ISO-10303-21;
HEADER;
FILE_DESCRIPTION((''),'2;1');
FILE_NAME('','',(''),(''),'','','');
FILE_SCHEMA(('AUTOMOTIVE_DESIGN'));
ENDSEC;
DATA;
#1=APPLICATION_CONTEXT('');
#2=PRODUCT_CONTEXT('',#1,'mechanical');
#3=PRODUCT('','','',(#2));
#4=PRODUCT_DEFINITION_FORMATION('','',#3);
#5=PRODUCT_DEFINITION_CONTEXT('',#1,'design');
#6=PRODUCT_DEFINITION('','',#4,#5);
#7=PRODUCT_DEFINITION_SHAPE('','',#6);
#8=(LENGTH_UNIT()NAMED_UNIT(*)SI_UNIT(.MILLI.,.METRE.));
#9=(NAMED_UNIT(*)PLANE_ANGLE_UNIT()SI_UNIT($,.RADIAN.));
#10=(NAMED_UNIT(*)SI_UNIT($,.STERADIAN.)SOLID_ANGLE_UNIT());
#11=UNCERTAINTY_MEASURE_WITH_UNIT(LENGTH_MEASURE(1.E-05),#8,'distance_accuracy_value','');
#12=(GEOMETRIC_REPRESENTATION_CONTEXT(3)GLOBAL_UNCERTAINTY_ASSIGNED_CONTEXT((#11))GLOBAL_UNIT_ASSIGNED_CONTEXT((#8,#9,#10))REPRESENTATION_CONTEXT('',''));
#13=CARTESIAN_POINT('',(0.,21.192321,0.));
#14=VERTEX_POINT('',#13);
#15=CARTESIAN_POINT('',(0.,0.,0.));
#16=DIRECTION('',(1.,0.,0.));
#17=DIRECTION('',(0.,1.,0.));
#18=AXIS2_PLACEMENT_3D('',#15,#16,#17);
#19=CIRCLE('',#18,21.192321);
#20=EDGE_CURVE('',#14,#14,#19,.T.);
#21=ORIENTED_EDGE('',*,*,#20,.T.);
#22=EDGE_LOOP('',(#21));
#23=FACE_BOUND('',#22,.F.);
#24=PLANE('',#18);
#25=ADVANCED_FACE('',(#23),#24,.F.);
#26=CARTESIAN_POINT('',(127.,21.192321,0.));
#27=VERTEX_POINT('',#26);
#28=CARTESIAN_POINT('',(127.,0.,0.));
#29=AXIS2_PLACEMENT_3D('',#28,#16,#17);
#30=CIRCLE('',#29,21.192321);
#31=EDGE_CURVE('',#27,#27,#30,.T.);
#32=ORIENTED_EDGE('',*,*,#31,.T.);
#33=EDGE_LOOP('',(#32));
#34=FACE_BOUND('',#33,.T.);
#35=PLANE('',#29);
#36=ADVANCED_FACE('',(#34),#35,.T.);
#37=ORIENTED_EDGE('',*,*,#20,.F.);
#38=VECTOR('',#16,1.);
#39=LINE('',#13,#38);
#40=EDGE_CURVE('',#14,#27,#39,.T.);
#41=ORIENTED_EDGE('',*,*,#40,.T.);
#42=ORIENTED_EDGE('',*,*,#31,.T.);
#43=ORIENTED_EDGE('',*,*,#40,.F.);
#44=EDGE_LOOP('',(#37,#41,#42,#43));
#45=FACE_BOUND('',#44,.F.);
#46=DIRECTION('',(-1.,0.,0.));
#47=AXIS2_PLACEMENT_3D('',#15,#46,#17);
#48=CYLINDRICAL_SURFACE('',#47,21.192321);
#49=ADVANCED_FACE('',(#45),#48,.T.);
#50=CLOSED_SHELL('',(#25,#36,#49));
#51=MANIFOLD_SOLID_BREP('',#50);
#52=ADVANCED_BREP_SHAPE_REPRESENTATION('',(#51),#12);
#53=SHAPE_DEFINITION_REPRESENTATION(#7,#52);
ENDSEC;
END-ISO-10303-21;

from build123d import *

# Parameters (mm, degrees)
F1_DEPTH = 127


with BuildPart() as f1:
    # F0 (on Right) → F1 (new body)
    with BuildSketch(Plane.YZ):
        with BuildLine():
            ThreePointArc((-21.192321, 0), (0, -21.192321), (21.192321, 0))
            ThreePointArc((21.192321, 0), (0, 21.192321), (-21.192321, 0))
        make_face()
    extrude(amount=F1_DEPTH)


solid = f1.part
